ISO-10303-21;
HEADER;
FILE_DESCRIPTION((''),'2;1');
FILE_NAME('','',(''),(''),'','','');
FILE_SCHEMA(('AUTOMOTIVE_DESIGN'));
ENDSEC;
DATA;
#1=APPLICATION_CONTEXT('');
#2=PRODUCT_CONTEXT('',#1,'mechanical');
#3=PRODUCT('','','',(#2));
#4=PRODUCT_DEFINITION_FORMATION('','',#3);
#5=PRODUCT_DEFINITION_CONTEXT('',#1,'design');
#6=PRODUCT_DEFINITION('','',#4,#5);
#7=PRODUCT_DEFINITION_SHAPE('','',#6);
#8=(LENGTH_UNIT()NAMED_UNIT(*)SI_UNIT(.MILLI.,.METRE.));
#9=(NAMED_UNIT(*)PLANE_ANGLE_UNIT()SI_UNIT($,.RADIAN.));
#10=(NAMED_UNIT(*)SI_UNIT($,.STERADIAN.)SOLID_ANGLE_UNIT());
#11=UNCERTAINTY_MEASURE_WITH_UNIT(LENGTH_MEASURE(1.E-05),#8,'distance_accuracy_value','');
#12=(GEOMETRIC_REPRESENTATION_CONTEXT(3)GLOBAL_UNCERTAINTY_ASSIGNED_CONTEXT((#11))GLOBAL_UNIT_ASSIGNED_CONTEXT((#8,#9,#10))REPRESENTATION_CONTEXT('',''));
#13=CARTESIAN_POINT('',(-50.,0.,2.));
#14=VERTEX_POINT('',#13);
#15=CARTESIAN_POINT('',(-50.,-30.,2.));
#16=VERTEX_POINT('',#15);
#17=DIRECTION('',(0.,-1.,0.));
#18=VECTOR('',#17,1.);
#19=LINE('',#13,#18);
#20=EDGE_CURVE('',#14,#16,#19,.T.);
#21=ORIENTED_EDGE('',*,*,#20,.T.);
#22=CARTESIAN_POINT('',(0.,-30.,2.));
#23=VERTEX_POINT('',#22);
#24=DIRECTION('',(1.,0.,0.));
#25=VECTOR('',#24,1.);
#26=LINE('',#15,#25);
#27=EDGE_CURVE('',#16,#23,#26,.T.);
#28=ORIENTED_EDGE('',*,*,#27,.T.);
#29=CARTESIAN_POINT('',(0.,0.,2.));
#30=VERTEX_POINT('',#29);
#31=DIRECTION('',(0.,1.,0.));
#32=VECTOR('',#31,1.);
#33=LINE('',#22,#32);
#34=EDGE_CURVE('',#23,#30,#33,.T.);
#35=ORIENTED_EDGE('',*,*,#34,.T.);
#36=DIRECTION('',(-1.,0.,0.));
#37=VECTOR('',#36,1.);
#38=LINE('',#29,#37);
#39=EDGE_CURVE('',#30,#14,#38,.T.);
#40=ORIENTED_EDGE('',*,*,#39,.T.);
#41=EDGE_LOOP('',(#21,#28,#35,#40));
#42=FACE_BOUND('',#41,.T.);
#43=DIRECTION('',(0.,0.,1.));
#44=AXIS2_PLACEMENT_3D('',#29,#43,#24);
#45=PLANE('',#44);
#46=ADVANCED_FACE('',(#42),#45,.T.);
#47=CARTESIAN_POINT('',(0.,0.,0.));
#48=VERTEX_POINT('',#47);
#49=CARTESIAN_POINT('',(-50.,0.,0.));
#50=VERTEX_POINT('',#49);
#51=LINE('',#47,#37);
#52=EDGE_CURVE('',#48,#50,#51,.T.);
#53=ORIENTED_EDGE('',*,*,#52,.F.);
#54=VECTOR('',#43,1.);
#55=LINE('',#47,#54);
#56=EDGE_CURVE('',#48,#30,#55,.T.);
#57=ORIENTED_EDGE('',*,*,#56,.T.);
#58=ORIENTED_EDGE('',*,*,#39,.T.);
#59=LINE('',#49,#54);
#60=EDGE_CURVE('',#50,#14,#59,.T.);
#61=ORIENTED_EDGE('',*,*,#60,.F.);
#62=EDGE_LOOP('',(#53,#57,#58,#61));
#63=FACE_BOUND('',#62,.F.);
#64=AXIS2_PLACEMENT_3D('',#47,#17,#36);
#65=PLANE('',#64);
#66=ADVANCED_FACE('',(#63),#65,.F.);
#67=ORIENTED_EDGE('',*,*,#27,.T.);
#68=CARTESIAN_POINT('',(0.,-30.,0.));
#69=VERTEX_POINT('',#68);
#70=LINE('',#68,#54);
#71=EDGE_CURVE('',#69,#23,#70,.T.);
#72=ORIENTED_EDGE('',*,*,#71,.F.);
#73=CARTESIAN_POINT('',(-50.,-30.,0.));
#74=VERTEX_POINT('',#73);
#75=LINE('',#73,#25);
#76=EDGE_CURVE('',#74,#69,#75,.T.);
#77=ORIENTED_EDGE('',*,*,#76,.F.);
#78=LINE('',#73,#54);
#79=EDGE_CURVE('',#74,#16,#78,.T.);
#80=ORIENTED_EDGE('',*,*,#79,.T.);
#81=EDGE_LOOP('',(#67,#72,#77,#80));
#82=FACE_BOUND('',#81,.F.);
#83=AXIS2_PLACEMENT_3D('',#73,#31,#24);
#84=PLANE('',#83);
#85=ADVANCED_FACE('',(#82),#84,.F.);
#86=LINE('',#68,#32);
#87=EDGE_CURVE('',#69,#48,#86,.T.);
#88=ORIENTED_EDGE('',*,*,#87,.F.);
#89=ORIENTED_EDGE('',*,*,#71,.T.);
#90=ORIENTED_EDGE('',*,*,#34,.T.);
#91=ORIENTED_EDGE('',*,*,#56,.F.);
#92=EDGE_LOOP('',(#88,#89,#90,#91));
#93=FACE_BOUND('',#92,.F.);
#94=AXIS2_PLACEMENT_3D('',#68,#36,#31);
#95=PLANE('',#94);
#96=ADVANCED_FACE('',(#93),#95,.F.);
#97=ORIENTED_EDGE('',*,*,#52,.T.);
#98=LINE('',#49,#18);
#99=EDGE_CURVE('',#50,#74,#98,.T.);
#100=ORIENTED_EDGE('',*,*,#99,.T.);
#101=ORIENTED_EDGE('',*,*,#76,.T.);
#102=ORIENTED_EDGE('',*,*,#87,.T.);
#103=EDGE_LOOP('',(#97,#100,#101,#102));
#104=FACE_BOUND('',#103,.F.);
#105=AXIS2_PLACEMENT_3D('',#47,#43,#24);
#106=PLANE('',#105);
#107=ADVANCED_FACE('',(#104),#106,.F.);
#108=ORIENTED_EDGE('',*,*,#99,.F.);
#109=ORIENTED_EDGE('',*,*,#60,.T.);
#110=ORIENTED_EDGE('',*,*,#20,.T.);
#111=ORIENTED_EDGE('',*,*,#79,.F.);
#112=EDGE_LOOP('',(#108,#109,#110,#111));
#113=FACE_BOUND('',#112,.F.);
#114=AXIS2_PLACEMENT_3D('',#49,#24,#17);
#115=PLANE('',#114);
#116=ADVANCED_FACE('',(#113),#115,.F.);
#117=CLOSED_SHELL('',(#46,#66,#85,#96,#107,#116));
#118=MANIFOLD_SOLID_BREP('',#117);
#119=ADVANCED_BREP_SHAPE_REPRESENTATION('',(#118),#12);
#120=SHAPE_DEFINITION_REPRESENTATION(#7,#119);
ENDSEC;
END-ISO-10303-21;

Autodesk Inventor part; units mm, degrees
ref_plane "YZ Plane" through (0, 0, 0) normal (1, 0, 0) x (0, 1, 0)
ref_plane "XZ Plane" through (0, 0, 0) normal (0, 1, 0) x (-1, 0, 0)
ref_plane "XY Plane" through (0, 0, 0) normal (0, 0, 1) x (1, 0, 0)
sketch "Sketch1" plane through (0, 0, 0) normal (0, 0, 1) x (1, 0, 0)
  line L0 (0, 0) -> (-50, 0)
  line L1 (-50, 0) -> (-50, -30)
  line L2 (-50, -30) -> (0, -30)
  line L3 (0, -30) -> (0, 0)
  dimension "d0" = 50
  dimension "d1" = 30
extrude "Extrusion1" add sketch "Sketch1" along normal blind 2
properties part number "expo part 13"
